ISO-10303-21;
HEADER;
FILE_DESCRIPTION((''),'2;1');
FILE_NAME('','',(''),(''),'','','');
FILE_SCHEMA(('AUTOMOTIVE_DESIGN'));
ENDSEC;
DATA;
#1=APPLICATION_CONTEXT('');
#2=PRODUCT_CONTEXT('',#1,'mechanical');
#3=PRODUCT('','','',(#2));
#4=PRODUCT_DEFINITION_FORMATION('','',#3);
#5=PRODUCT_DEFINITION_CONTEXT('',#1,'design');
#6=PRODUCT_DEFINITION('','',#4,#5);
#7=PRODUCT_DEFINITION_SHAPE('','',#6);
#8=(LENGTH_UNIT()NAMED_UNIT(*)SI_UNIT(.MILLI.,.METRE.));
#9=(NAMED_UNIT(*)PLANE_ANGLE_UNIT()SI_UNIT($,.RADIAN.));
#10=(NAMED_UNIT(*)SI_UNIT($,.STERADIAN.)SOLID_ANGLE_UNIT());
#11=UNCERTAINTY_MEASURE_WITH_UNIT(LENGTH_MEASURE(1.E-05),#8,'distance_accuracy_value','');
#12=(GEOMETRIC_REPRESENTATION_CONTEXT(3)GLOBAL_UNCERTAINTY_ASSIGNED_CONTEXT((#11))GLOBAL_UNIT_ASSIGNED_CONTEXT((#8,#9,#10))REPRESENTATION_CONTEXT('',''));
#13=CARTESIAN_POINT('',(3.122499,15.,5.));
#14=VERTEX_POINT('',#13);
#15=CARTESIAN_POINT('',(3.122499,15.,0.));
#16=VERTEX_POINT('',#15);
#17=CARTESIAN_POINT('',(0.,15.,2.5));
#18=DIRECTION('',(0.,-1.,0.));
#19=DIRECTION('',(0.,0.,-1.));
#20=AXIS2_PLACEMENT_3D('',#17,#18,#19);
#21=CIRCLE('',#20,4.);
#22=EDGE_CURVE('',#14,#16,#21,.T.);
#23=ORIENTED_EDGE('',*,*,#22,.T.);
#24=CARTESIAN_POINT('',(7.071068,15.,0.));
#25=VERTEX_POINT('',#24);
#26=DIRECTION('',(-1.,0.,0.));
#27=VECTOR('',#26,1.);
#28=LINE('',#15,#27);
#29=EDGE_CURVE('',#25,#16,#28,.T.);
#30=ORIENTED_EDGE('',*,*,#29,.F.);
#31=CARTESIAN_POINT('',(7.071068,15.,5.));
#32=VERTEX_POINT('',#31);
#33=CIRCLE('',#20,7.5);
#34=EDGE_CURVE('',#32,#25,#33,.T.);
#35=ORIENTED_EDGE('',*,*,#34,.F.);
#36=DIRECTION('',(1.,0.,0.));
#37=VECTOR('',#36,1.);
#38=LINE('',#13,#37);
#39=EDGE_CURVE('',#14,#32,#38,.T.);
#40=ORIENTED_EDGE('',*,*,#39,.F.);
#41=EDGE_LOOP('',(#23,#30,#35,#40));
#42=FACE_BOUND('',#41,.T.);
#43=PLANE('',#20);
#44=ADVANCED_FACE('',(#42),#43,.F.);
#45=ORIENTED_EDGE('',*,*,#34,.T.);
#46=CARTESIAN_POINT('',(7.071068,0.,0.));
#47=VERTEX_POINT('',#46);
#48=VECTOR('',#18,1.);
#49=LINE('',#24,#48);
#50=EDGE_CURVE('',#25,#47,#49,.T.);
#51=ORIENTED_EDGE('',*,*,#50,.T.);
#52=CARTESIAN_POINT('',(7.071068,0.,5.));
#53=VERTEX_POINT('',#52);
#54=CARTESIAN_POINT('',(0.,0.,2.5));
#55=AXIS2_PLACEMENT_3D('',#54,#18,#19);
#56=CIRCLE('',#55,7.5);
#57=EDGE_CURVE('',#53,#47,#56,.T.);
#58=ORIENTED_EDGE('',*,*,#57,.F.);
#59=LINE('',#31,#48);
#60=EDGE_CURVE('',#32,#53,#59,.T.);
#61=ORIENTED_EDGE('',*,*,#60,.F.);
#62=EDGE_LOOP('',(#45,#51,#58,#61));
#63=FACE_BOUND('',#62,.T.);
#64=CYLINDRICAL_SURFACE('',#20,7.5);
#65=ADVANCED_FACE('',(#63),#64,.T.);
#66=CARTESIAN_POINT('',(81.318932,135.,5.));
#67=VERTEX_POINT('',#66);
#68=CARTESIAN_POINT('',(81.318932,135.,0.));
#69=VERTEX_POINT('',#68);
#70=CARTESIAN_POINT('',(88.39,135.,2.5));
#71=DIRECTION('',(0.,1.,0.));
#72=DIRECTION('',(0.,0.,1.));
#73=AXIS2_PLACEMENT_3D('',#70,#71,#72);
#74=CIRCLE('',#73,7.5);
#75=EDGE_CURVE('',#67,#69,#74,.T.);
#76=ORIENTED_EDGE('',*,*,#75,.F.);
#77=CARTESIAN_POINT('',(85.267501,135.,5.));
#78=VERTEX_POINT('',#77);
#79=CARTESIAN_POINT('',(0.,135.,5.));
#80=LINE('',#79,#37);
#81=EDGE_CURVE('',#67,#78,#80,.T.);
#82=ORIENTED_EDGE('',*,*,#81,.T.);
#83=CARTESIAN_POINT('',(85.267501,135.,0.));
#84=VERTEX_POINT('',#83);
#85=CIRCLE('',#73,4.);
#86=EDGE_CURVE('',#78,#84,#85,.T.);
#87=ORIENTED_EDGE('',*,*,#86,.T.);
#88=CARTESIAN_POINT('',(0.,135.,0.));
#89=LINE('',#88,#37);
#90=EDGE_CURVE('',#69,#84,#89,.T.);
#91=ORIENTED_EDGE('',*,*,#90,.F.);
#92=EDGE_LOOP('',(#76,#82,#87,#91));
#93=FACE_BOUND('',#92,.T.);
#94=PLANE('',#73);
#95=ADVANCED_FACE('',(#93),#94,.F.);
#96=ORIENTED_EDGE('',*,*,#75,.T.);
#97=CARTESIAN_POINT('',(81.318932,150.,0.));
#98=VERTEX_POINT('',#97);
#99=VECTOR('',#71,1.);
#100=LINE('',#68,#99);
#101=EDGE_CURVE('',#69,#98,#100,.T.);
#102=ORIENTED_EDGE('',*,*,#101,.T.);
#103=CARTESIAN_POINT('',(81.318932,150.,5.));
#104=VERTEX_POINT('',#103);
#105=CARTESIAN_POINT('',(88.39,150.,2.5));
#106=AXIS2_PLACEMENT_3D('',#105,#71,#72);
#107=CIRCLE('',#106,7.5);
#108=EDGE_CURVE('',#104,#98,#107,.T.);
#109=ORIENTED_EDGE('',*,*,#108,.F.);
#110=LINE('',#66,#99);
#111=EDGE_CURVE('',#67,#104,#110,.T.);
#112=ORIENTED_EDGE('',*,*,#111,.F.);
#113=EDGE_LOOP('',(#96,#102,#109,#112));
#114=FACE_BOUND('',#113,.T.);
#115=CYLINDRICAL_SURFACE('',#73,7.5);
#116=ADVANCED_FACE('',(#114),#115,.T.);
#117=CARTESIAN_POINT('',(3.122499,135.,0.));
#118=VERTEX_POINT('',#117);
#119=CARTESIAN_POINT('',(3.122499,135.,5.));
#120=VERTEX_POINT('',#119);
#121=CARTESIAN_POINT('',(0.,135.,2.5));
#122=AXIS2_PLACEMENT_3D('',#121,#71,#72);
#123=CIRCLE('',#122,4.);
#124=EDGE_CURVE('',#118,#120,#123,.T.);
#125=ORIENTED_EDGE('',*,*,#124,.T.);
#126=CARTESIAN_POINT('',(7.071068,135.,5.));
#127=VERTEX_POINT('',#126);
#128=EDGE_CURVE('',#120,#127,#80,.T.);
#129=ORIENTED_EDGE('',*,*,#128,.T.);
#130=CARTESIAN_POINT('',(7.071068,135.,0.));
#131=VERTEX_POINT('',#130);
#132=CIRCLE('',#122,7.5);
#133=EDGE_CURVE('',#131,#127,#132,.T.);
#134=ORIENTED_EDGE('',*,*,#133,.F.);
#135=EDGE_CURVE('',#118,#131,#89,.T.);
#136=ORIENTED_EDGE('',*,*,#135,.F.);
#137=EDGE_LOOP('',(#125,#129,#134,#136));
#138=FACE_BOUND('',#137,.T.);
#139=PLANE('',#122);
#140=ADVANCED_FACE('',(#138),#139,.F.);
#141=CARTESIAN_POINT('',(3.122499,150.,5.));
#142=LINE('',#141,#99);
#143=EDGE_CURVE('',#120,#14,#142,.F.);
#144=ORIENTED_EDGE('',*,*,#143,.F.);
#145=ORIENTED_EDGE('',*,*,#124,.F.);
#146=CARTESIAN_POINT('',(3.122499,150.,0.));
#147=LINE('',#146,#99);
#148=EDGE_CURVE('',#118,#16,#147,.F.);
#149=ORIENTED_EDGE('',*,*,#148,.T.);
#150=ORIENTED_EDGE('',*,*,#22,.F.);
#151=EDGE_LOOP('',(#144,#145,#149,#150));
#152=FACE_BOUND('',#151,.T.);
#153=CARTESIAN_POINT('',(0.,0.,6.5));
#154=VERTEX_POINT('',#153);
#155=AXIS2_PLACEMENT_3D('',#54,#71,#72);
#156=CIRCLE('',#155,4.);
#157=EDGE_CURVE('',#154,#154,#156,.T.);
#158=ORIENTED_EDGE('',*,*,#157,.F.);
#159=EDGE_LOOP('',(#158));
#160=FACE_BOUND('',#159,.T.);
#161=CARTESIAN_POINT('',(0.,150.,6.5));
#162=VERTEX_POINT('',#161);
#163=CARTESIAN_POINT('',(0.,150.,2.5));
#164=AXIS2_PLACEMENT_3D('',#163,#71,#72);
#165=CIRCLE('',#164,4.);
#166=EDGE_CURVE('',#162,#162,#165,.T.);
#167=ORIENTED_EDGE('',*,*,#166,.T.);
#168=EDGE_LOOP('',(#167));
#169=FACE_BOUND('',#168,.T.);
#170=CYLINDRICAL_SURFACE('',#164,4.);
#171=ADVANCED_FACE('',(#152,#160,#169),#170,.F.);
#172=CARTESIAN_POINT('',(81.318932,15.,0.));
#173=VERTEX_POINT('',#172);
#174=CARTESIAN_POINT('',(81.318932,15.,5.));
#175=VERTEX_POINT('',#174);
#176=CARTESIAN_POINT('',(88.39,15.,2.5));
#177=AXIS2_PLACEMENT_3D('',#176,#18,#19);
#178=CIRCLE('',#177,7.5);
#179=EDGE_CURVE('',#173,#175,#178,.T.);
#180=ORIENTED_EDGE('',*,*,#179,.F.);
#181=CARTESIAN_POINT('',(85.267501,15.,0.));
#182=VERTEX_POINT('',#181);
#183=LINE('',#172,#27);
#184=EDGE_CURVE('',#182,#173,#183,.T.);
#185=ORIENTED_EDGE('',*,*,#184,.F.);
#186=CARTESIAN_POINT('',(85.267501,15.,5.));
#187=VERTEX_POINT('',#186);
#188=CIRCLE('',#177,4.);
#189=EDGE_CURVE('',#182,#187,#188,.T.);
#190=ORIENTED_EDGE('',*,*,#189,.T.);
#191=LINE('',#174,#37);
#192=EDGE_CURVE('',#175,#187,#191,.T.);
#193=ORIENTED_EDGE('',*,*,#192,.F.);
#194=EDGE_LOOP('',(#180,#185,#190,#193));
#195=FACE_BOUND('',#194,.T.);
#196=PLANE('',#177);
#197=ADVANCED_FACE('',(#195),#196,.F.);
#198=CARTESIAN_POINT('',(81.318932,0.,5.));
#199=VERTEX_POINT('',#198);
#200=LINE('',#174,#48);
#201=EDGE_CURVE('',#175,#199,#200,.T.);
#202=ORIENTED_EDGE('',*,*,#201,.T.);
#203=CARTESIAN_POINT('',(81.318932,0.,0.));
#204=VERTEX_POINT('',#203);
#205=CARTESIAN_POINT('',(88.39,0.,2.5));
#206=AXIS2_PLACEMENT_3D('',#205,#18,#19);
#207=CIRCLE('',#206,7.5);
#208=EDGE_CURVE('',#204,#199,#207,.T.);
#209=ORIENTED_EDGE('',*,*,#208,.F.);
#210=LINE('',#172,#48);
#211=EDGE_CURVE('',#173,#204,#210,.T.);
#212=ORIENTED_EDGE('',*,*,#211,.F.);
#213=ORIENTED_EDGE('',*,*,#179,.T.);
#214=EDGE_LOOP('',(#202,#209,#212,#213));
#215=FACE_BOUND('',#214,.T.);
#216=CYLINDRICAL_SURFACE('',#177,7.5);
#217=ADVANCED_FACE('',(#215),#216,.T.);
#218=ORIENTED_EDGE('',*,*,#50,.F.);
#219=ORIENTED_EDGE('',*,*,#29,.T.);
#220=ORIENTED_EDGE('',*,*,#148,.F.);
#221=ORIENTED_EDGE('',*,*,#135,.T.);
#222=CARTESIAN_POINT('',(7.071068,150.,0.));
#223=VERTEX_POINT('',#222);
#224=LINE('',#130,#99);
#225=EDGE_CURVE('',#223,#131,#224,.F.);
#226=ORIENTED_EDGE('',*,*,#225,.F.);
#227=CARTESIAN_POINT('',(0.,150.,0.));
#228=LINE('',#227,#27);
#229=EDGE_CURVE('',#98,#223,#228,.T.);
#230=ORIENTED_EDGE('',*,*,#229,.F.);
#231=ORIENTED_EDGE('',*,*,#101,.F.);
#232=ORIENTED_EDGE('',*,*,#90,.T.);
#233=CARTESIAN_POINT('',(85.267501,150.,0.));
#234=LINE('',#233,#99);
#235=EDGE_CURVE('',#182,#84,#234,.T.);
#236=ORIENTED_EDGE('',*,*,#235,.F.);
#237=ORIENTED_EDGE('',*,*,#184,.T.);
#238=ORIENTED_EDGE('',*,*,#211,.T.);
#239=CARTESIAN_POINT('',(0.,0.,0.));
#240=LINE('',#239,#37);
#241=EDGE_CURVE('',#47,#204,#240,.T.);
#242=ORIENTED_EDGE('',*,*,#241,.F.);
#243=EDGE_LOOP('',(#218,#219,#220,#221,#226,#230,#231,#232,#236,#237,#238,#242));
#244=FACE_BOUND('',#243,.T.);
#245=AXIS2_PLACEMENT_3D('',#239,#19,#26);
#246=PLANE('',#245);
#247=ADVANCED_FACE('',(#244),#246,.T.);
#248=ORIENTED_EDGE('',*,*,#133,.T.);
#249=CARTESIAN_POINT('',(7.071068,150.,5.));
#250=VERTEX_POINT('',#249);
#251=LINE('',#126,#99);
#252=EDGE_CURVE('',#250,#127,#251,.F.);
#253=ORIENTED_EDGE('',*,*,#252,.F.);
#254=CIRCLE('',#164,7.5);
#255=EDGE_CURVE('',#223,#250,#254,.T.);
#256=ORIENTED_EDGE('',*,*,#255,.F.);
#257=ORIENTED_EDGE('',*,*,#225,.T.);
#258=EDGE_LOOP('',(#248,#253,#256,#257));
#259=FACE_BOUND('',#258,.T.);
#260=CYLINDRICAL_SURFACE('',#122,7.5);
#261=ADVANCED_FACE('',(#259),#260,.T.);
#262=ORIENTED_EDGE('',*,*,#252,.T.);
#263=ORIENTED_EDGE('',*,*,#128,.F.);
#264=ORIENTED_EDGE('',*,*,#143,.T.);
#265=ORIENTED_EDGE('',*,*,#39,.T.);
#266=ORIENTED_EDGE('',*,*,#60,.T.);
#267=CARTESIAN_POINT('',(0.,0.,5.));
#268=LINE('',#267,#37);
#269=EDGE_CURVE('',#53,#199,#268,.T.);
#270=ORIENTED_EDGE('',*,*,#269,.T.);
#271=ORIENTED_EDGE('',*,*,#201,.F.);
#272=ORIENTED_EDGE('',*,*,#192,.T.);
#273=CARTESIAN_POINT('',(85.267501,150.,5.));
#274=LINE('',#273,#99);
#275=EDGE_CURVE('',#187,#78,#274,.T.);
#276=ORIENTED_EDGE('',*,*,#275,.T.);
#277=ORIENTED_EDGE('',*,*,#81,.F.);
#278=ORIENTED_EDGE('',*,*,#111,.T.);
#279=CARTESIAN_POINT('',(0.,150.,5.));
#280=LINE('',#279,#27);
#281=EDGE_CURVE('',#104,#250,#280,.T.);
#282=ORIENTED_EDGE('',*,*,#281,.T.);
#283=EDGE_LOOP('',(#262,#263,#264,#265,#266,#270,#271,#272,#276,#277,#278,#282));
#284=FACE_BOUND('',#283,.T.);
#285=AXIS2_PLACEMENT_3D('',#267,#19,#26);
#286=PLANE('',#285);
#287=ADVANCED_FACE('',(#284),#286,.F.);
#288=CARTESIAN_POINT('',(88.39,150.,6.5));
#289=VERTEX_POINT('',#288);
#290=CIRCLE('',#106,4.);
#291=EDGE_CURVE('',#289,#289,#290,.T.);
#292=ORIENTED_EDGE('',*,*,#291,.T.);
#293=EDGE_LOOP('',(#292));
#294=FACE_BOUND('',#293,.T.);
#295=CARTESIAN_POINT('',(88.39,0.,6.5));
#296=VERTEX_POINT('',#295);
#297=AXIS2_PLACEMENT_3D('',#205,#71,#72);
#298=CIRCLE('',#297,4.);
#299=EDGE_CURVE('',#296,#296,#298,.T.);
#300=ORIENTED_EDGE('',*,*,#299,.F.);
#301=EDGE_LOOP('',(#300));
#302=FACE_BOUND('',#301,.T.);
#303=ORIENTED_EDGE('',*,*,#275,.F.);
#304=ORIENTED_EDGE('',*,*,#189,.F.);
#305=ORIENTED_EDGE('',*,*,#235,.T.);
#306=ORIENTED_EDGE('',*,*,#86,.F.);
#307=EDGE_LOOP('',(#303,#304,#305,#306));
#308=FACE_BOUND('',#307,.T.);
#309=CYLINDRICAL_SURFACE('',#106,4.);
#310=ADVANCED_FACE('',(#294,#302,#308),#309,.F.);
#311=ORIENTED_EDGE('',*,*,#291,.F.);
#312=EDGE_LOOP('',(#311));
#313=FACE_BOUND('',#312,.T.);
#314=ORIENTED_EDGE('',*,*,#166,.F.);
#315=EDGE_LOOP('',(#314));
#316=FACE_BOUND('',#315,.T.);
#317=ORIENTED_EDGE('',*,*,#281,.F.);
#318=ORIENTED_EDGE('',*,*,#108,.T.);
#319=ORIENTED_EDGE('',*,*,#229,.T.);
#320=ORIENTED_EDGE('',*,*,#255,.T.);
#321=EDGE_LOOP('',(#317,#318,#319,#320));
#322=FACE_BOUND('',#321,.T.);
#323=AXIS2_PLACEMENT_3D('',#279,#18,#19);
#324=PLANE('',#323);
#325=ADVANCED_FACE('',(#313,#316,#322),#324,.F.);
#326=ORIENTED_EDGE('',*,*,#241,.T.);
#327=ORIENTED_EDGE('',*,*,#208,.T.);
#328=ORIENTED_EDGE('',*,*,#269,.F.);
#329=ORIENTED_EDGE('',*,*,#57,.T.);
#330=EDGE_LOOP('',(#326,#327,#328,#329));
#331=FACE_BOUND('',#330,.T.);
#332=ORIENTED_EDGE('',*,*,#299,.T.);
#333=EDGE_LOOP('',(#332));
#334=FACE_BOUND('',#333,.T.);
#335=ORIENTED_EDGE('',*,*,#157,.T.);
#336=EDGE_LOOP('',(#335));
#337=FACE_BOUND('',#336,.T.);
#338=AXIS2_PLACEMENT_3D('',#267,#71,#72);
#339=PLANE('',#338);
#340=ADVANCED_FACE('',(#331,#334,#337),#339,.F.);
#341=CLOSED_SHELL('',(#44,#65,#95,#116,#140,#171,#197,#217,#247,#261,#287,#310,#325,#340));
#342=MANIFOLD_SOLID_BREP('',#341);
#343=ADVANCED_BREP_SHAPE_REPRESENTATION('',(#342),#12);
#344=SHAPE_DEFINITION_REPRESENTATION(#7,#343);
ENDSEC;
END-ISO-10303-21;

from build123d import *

# Parameters (mm, degrees)
SKETCH_1_W          = 88.39
SKETCH_1_H          = 150
EXTRUDE_1_DEPTH     = 5
SKETCH_2_R          = 7.5
EXTRUDE_2_DEPTH     = 15
HOLE_WIZARD_1_D     = 8
EXTRUDE_3_DEPTH     = 15
SKETCH_8_R          = 4
CUT_EXTRUDE_1_DEPTH = 166.891205614


with BuildPart() as part:
    # 스케치1 → 보스-돌출1 (new body)
    with BuildSketch(Plane.XY):
        with Locations((44.195, 75)):
            Rectangle(SKETCH_1_W, SKETCH_1_H)
    extrude(amount=EXTRUDE_1_DEPTH)

    # 스케치2 → 보스-돌출2 (add)
    with BuildSketch(Plane(origin=(0, 150, 0), x_dir=(1, 0, 0), z_dir=(0, 1, 0))):
        with Locations((88.39, -2.5)):
            Circle(SKETCH_2_R)
        with Locations((0, -2.5)):
            Circle(SKETCH_2_R)
    extrude(amount=-EXTRUDE_2_DEPTH)

    # 구멍1 (through all)
    with Locations(Plane(origin=(0, 150, 0), x_dir=(1, 0, 0), z_dir=(0, 1, 0))):
        with Locations((0, -2.5), (88.39, -2.5)):
            Hole(HOLE_WIZARD_1_D / 2)

    # 스케치7 → 보스-돌출3 (add)
    with BuildSketch(Plane.XZ):
        with BuildLine():
            Line((81.318932188, 0), (85.267501001, 0))
            ThreePointArc((85.267501001, 0), (84.39, 2.5), (85.267501001, 5))
            Line((85.267501001, 5), (81.318932188, 5))
            ThreePointArc((81.318932188, 5), (95.89, 2.5), (81.318932188, 0))
        make_face()
        with BuildLine():
            Line((3.122498999, 5), (7.071067812, 5))
            ThreePointArc((7.071067812, 5), (-7.5, 2.5), (7.071067812, 0))
            Line((7.071067812, 0), (3.122498999, 0))
            ThreePointArc((3.122498999, 0), (4, 2.5), (3.122498999, 5))
        make_face()
    extrude(amount=-EXTRUDE_3_DEPTH)

    # 스케치8 → 컷-돌출1 (cut, through all)
    with BuildSketch(Plane(origin=(0, 15, 0), x_dir=(1, 0, 0), z_dir=(0, 1, 0))):
        with Locations(Location((0, -2.5, 0), (0, 0, 270))):
            Circle(SKETCH_8_R)
        with Locations(Location((88.39, -2.5, 0), (0, 0, 270))):
            Circle(SKETCH_8_R)
    extrude(amount=-CUT_EXTRUDE_1_DEPTH, mode=Mode.SUBTRACT)


solid = part.part
